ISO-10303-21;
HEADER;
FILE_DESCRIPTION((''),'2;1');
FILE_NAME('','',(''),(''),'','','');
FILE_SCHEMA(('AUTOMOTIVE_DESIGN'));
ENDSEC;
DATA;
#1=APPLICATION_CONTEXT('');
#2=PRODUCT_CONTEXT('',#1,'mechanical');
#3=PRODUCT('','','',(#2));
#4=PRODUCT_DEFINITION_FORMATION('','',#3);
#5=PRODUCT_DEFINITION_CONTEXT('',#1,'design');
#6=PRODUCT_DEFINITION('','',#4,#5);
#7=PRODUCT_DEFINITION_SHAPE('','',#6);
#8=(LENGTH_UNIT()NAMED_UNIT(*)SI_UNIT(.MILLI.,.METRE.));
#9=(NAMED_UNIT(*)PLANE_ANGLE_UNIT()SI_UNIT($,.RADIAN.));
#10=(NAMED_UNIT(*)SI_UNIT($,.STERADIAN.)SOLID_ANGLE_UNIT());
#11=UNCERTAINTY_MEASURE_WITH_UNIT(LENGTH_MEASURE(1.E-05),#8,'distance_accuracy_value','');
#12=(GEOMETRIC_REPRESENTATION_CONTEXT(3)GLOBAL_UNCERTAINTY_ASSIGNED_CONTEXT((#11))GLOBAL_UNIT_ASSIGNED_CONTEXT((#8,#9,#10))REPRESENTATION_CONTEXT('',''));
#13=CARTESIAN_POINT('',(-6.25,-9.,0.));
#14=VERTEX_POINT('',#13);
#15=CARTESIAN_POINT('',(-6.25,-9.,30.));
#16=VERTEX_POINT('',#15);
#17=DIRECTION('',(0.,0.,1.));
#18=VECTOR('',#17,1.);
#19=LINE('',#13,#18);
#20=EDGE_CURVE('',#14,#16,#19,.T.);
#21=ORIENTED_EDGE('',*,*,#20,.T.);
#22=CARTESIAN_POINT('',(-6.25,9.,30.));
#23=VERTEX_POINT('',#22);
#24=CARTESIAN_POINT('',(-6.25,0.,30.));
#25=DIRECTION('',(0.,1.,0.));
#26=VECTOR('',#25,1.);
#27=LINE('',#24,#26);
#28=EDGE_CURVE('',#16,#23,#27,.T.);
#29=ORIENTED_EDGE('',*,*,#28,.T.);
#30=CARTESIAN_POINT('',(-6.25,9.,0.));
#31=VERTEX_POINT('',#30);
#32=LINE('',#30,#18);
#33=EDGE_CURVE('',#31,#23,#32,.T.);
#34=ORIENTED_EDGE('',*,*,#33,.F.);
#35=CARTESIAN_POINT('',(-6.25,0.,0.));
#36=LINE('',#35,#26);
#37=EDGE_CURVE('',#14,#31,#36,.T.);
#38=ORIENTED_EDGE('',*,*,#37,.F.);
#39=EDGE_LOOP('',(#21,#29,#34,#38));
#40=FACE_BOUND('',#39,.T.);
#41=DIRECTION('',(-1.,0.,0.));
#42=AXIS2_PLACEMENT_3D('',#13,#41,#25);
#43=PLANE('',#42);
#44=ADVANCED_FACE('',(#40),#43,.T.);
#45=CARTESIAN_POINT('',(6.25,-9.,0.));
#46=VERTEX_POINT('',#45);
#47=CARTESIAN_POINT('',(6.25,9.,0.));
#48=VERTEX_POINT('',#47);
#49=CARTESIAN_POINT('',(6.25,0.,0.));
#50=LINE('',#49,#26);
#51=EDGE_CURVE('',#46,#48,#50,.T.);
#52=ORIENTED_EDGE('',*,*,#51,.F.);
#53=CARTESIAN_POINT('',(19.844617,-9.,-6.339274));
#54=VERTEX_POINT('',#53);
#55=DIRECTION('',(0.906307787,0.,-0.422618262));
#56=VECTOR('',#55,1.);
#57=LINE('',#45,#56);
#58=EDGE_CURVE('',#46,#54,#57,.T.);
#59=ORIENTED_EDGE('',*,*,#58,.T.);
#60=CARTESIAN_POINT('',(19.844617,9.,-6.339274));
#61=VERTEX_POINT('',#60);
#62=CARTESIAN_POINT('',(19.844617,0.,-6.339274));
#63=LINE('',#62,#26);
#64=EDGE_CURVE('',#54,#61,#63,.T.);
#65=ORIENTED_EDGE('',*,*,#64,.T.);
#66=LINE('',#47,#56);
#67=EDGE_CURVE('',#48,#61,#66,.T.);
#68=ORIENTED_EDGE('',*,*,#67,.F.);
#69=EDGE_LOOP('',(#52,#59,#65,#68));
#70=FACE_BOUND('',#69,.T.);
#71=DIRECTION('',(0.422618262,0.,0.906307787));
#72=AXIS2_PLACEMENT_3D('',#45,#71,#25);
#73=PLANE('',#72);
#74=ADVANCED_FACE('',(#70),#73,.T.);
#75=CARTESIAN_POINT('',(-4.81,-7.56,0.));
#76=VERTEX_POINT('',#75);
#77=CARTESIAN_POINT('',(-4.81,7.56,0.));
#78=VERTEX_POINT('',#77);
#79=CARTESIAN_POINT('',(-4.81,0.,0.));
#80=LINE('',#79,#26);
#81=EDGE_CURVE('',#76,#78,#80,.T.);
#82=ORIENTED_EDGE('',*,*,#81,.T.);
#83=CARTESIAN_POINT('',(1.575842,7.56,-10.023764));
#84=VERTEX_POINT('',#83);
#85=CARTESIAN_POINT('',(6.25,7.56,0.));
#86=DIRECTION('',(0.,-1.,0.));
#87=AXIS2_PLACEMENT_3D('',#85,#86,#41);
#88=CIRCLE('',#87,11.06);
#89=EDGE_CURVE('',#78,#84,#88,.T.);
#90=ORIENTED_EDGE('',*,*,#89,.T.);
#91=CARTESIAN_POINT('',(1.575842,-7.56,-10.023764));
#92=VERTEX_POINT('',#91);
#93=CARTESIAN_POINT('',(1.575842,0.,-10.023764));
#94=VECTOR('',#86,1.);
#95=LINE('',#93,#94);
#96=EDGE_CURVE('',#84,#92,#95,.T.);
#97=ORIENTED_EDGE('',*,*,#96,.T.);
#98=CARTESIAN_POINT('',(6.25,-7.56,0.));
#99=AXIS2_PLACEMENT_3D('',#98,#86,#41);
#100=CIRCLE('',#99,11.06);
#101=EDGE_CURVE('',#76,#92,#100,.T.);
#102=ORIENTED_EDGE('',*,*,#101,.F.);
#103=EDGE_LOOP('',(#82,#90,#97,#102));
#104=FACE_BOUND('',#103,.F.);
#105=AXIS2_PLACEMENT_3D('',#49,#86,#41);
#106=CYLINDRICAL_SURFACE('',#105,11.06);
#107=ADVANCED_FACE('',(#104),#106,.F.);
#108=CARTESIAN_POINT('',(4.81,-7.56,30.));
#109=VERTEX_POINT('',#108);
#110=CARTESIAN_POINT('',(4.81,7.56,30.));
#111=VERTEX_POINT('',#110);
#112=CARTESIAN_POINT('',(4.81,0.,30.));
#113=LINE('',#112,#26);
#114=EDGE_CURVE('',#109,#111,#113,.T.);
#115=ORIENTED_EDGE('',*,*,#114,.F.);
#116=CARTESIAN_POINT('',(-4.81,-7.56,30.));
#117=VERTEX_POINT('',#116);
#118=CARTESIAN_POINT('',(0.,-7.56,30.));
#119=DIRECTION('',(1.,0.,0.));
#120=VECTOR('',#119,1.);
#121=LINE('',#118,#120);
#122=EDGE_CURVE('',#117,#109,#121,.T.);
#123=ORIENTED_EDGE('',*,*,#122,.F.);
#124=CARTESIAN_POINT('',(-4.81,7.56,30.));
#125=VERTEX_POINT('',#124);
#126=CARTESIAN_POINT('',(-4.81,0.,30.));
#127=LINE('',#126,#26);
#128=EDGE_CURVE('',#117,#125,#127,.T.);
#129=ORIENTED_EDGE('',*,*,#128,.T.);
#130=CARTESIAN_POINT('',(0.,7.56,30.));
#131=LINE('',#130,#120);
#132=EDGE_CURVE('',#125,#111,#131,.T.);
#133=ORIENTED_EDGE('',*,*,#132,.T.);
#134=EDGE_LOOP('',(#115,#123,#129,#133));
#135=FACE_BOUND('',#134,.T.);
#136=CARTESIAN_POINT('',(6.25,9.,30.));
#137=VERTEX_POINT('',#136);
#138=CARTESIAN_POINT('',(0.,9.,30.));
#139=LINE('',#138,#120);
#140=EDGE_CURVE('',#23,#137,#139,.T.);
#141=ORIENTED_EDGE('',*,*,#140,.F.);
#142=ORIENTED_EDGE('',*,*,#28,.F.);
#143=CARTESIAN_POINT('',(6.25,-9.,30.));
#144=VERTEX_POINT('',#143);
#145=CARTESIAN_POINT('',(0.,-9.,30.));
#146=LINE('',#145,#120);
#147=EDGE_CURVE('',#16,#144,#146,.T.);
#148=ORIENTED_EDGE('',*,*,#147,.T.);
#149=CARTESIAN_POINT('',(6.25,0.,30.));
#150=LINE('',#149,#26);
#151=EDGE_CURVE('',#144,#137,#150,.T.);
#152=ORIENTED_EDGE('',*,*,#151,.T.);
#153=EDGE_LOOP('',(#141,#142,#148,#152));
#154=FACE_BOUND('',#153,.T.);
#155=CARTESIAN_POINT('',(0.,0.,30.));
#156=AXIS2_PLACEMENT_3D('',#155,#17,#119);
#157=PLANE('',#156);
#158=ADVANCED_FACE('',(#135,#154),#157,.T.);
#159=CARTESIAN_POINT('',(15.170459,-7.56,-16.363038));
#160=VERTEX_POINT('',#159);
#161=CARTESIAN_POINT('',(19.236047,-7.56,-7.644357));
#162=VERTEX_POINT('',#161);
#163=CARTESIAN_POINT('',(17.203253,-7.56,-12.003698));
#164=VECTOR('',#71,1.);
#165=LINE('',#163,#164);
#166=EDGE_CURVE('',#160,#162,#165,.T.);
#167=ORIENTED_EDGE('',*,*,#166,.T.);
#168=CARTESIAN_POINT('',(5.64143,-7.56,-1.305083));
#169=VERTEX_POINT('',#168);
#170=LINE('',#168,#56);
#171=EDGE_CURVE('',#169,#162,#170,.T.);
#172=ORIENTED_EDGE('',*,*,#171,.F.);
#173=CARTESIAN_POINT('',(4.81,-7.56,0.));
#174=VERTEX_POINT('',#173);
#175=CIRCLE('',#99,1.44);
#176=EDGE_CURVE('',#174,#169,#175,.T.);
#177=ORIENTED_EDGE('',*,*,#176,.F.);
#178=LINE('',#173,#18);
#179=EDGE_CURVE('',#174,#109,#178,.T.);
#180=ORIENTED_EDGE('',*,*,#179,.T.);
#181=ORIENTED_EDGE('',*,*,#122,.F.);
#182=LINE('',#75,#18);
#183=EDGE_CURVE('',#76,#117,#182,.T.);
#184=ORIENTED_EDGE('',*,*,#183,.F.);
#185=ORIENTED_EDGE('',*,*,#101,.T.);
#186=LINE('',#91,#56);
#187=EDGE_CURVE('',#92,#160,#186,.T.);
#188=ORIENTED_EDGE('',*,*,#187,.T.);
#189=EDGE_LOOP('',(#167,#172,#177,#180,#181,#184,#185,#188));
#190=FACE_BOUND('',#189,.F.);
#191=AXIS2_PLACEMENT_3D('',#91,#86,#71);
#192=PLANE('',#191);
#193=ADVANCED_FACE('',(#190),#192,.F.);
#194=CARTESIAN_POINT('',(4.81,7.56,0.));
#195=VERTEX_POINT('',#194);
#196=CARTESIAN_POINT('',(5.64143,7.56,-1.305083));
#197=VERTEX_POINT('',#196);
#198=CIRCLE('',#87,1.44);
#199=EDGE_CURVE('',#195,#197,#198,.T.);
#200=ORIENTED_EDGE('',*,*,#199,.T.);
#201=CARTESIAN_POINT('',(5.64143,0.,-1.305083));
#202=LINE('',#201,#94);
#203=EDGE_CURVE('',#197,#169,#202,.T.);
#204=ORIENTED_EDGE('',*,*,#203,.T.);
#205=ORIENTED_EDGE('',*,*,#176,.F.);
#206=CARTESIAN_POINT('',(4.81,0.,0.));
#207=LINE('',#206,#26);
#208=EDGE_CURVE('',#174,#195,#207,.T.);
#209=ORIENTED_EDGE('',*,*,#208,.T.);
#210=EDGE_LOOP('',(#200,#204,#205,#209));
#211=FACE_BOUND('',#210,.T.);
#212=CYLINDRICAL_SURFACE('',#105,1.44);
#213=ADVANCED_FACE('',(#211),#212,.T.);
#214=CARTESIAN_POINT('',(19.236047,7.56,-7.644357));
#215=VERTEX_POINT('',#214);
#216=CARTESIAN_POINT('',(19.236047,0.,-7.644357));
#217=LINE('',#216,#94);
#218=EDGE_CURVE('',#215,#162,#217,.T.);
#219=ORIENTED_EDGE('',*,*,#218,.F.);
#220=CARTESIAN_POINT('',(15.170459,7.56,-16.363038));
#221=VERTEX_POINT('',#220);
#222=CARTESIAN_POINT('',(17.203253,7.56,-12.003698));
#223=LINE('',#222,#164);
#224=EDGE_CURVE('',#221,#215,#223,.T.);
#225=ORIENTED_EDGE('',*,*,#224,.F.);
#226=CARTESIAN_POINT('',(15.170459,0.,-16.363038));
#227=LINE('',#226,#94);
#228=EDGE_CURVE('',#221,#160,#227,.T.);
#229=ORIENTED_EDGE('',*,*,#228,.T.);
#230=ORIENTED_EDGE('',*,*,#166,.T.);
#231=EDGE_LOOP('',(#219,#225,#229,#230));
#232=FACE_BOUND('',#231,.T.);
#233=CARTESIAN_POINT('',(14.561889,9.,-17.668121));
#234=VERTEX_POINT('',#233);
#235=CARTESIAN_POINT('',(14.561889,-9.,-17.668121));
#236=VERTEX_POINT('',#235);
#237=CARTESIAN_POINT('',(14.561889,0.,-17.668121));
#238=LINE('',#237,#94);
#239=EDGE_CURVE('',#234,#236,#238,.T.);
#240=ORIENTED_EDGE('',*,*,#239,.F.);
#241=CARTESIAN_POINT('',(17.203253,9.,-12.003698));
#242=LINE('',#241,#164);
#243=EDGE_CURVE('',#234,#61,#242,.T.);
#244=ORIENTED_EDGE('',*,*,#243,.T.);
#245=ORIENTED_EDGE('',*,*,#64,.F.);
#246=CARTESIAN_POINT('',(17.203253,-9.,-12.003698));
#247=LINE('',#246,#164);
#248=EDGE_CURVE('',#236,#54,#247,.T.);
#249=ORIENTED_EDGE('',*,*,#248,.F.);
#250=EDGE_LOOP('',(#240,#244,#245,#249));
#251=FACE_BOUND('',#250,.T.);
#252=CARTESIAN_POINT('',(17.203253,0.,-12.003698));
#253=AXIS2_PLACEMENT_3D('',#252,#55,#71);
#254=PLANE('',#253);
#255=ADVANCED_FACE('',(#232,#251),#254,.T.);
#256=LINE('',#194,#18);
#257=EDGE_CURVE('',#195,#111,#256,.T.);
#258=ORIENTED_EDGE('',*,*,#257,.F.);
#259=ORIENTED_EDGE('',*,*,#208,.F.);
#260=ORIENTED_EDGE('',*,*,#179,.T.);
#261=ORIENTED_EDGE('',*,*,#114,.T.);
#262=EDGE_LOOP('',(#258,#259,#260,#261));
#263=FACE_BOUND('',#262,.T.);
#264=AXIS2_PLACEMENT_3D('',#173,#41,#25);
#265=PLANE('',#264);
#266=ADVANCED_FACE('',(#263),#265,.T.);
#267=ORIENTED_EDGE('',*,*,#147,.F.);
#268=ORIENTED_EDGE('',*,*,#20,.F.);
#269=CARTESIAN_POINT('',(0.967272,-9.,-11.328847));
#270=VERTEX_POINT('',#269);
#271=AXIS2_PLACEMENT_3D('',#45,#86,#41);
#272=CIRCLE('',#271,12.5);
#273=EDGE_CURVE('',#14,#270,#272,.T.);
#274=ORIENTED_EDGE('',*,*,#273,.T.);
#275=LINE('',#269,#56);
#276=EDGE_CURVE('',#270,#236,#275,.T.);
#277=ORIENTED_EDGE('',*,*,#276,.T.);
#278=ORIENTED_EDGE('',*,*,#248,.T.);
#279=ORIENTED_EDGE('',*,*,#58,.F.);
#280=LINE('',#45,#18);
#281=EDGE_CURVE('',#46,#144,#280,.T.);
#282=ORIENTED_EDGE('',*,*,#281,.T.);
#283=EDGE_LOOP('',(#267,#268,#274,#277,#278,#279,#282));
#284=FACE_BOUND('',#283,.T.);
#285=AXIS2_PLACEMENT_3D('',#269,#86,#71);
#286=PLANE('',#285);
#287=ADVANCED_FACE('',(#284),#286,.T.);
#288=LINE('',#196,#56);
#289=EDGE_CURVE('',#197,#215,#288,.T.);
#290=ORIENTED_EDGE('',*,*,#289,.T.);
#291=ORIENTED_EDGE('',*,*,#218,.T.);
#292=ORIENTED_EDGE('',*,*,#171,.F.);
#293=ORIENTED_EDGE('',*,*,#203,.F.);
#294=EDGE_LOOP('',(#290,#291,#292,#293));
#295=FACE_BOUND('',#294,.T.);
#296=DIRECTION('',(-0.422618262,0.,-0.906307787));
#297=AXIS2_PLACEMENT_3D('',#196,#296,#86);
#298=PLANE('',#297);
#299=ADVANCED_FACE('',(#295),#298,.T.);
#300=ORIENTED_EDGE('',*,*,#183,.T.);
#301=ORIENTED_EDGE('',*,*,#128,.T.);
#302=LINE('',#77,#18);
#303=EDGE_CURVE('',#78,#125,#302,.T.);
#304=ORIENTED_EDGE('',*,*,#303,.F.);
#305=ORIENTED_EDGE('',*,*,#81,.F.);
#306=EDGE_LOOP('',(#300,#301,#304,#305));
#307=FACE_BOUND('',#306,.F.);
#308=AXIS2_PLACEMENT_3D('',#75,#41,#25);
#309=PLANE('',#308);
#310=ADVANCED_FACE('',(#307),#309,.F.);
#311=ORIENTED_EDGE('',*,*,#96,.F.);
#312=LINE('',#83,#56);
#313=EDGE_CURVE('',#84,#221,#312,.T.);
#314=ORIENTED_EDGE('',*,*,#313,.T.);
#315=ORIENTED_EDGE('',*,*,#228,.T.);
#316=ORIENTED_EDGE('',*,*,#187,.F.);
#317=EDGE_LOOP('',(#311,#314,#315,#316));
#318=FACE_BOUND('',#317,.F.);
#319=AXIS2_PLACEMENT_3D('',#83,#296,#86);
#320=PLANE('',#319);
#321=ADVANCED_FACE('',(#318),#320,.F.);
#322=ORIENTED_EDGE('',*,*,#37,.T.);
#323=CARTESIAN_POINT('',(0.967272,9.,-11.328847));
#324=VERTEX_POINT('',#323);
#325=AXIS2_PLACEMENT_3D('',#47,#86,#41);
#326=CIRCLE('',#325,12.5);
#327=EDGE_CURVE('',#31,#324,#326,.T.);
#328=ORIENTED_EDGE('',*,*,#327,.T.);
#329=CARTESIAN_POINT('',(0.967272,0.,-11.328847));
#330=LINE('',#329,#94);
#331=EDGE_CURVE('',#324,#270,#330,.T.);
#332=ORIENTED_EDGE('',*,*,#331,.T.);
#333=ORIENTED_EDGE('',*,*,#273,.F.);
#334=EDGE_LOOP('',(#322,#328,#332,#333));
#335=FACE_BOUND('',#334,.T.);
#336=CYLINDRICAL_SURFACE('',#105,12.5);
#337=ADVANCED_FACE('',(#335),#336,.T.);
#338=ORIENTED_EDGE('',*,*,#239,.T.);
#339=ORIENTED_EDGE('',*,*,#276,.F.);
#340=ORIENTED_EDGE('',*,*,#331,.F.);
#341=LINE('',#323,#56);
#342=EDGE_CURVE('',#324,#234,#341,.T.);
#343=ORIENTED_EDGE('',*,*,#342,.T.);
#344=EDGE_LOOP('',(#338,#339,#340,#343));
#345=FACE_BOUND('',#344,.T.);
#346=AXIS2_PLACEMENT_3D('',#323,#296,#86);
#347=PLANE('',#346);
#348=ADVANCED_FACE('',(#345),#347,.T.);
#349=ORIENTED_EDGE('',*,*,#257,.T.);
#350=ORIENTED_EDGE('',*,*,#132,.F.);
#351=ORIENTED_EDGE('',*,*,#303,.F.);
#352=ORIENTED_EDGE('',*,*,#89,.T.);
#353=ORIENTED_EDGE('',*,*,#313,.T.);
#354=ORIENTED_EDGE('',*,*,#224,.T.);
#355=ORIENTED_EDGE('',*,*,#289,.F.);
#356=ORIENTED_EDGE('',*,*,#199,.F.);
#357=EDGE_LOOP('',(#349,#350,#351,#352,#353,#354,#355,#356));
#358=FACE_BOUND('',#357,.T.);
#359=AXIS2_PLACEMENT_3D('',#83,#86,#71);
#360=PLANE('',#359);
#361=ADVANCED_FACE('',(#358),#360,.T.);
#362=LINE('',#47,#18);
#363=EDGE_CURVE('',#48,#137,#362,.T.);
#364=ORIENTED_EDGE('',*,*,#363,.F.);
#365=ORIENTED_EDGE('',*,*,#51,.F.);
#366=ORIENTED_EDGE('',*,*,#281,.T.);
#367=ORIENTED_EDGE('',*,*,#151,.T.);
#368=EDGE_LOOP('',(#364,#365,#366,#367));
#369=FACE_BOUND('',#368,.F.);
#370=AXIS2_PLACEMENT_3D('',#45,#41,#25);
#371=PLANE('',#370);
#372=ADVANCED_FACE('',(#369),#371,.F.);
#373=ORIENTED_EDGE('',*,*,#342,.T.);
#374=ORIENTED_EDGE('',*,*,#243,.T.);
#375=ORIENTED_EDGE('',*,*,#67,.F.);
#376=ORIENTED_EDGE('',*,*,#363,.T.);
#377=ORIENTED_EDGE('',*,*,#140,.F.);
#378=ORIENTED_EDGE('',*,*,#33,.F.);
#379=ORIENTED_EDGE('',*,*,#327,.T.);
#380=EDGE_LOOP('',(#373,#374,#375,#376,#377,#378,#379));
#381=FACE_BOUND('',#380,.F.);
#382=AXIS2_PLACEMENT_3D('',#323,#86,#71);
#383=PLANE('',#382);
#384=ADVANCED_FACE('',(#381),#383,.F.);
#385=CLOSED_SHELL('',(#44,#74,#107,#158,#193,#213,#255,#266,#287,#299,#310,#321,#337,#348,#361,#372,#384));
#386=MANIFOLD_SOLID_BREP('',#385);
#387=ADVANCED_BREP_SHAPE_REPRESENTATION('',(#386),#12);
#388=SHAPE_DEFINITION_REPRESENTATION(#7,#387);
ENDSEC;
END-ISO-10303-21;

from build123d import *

# Parameters (mm, degrees)
F0_W        = 12.5
F0_H        = 18
F0_W_2      = 9.62
F0_H_2      = 15.12
F1_DEPTH    = 30
F1_FACE_W   = 12.5
F1_FACE_H   = 18
F1_FACE_W_2 = 9.62
F1_FACE_H_2 = 15.12
F2_ANGLE    = 65
F3_DEPTH    = 15


with BuildPart() as f1:
    # F0 (on Top) → F1 (new body)
    with BuildSketch(Plane.XY):
        Rectangle(F0_W, F0_H)
        Rectangle(F0_W_2, F0_H_2, mode=Mode.SUBTRACT)
    extrude(amount=F1_DEPTH)

    # F1_face (on face) → F2 (revolve)
    with BuildSketch(Plane(origin=(0, 0, 0), x_dir=(1, 0, 0), z_dir=(0, 0, -1))):
        Rectangle(F1_FACE_W, F1_FACE_H)
        Rectangle(F1_FACE_W_2, F1_FACE_H_2, mode=Mode.SUBTRACT)
    revolve(axis=Axis((6.25, 0, 0), (0, -1, 0)), revolution_arc=F2_ANGLE)

    # F3 (add): a face of the model
    f3_faces = [f1.faces().sort_by_distance(p)[0] for p in [
        (3.6086358641, -8.78085393, -5.664423669),
    ]]
    extrude(f3_faces, amount=F3_DEPTH)


solid = f1.part
